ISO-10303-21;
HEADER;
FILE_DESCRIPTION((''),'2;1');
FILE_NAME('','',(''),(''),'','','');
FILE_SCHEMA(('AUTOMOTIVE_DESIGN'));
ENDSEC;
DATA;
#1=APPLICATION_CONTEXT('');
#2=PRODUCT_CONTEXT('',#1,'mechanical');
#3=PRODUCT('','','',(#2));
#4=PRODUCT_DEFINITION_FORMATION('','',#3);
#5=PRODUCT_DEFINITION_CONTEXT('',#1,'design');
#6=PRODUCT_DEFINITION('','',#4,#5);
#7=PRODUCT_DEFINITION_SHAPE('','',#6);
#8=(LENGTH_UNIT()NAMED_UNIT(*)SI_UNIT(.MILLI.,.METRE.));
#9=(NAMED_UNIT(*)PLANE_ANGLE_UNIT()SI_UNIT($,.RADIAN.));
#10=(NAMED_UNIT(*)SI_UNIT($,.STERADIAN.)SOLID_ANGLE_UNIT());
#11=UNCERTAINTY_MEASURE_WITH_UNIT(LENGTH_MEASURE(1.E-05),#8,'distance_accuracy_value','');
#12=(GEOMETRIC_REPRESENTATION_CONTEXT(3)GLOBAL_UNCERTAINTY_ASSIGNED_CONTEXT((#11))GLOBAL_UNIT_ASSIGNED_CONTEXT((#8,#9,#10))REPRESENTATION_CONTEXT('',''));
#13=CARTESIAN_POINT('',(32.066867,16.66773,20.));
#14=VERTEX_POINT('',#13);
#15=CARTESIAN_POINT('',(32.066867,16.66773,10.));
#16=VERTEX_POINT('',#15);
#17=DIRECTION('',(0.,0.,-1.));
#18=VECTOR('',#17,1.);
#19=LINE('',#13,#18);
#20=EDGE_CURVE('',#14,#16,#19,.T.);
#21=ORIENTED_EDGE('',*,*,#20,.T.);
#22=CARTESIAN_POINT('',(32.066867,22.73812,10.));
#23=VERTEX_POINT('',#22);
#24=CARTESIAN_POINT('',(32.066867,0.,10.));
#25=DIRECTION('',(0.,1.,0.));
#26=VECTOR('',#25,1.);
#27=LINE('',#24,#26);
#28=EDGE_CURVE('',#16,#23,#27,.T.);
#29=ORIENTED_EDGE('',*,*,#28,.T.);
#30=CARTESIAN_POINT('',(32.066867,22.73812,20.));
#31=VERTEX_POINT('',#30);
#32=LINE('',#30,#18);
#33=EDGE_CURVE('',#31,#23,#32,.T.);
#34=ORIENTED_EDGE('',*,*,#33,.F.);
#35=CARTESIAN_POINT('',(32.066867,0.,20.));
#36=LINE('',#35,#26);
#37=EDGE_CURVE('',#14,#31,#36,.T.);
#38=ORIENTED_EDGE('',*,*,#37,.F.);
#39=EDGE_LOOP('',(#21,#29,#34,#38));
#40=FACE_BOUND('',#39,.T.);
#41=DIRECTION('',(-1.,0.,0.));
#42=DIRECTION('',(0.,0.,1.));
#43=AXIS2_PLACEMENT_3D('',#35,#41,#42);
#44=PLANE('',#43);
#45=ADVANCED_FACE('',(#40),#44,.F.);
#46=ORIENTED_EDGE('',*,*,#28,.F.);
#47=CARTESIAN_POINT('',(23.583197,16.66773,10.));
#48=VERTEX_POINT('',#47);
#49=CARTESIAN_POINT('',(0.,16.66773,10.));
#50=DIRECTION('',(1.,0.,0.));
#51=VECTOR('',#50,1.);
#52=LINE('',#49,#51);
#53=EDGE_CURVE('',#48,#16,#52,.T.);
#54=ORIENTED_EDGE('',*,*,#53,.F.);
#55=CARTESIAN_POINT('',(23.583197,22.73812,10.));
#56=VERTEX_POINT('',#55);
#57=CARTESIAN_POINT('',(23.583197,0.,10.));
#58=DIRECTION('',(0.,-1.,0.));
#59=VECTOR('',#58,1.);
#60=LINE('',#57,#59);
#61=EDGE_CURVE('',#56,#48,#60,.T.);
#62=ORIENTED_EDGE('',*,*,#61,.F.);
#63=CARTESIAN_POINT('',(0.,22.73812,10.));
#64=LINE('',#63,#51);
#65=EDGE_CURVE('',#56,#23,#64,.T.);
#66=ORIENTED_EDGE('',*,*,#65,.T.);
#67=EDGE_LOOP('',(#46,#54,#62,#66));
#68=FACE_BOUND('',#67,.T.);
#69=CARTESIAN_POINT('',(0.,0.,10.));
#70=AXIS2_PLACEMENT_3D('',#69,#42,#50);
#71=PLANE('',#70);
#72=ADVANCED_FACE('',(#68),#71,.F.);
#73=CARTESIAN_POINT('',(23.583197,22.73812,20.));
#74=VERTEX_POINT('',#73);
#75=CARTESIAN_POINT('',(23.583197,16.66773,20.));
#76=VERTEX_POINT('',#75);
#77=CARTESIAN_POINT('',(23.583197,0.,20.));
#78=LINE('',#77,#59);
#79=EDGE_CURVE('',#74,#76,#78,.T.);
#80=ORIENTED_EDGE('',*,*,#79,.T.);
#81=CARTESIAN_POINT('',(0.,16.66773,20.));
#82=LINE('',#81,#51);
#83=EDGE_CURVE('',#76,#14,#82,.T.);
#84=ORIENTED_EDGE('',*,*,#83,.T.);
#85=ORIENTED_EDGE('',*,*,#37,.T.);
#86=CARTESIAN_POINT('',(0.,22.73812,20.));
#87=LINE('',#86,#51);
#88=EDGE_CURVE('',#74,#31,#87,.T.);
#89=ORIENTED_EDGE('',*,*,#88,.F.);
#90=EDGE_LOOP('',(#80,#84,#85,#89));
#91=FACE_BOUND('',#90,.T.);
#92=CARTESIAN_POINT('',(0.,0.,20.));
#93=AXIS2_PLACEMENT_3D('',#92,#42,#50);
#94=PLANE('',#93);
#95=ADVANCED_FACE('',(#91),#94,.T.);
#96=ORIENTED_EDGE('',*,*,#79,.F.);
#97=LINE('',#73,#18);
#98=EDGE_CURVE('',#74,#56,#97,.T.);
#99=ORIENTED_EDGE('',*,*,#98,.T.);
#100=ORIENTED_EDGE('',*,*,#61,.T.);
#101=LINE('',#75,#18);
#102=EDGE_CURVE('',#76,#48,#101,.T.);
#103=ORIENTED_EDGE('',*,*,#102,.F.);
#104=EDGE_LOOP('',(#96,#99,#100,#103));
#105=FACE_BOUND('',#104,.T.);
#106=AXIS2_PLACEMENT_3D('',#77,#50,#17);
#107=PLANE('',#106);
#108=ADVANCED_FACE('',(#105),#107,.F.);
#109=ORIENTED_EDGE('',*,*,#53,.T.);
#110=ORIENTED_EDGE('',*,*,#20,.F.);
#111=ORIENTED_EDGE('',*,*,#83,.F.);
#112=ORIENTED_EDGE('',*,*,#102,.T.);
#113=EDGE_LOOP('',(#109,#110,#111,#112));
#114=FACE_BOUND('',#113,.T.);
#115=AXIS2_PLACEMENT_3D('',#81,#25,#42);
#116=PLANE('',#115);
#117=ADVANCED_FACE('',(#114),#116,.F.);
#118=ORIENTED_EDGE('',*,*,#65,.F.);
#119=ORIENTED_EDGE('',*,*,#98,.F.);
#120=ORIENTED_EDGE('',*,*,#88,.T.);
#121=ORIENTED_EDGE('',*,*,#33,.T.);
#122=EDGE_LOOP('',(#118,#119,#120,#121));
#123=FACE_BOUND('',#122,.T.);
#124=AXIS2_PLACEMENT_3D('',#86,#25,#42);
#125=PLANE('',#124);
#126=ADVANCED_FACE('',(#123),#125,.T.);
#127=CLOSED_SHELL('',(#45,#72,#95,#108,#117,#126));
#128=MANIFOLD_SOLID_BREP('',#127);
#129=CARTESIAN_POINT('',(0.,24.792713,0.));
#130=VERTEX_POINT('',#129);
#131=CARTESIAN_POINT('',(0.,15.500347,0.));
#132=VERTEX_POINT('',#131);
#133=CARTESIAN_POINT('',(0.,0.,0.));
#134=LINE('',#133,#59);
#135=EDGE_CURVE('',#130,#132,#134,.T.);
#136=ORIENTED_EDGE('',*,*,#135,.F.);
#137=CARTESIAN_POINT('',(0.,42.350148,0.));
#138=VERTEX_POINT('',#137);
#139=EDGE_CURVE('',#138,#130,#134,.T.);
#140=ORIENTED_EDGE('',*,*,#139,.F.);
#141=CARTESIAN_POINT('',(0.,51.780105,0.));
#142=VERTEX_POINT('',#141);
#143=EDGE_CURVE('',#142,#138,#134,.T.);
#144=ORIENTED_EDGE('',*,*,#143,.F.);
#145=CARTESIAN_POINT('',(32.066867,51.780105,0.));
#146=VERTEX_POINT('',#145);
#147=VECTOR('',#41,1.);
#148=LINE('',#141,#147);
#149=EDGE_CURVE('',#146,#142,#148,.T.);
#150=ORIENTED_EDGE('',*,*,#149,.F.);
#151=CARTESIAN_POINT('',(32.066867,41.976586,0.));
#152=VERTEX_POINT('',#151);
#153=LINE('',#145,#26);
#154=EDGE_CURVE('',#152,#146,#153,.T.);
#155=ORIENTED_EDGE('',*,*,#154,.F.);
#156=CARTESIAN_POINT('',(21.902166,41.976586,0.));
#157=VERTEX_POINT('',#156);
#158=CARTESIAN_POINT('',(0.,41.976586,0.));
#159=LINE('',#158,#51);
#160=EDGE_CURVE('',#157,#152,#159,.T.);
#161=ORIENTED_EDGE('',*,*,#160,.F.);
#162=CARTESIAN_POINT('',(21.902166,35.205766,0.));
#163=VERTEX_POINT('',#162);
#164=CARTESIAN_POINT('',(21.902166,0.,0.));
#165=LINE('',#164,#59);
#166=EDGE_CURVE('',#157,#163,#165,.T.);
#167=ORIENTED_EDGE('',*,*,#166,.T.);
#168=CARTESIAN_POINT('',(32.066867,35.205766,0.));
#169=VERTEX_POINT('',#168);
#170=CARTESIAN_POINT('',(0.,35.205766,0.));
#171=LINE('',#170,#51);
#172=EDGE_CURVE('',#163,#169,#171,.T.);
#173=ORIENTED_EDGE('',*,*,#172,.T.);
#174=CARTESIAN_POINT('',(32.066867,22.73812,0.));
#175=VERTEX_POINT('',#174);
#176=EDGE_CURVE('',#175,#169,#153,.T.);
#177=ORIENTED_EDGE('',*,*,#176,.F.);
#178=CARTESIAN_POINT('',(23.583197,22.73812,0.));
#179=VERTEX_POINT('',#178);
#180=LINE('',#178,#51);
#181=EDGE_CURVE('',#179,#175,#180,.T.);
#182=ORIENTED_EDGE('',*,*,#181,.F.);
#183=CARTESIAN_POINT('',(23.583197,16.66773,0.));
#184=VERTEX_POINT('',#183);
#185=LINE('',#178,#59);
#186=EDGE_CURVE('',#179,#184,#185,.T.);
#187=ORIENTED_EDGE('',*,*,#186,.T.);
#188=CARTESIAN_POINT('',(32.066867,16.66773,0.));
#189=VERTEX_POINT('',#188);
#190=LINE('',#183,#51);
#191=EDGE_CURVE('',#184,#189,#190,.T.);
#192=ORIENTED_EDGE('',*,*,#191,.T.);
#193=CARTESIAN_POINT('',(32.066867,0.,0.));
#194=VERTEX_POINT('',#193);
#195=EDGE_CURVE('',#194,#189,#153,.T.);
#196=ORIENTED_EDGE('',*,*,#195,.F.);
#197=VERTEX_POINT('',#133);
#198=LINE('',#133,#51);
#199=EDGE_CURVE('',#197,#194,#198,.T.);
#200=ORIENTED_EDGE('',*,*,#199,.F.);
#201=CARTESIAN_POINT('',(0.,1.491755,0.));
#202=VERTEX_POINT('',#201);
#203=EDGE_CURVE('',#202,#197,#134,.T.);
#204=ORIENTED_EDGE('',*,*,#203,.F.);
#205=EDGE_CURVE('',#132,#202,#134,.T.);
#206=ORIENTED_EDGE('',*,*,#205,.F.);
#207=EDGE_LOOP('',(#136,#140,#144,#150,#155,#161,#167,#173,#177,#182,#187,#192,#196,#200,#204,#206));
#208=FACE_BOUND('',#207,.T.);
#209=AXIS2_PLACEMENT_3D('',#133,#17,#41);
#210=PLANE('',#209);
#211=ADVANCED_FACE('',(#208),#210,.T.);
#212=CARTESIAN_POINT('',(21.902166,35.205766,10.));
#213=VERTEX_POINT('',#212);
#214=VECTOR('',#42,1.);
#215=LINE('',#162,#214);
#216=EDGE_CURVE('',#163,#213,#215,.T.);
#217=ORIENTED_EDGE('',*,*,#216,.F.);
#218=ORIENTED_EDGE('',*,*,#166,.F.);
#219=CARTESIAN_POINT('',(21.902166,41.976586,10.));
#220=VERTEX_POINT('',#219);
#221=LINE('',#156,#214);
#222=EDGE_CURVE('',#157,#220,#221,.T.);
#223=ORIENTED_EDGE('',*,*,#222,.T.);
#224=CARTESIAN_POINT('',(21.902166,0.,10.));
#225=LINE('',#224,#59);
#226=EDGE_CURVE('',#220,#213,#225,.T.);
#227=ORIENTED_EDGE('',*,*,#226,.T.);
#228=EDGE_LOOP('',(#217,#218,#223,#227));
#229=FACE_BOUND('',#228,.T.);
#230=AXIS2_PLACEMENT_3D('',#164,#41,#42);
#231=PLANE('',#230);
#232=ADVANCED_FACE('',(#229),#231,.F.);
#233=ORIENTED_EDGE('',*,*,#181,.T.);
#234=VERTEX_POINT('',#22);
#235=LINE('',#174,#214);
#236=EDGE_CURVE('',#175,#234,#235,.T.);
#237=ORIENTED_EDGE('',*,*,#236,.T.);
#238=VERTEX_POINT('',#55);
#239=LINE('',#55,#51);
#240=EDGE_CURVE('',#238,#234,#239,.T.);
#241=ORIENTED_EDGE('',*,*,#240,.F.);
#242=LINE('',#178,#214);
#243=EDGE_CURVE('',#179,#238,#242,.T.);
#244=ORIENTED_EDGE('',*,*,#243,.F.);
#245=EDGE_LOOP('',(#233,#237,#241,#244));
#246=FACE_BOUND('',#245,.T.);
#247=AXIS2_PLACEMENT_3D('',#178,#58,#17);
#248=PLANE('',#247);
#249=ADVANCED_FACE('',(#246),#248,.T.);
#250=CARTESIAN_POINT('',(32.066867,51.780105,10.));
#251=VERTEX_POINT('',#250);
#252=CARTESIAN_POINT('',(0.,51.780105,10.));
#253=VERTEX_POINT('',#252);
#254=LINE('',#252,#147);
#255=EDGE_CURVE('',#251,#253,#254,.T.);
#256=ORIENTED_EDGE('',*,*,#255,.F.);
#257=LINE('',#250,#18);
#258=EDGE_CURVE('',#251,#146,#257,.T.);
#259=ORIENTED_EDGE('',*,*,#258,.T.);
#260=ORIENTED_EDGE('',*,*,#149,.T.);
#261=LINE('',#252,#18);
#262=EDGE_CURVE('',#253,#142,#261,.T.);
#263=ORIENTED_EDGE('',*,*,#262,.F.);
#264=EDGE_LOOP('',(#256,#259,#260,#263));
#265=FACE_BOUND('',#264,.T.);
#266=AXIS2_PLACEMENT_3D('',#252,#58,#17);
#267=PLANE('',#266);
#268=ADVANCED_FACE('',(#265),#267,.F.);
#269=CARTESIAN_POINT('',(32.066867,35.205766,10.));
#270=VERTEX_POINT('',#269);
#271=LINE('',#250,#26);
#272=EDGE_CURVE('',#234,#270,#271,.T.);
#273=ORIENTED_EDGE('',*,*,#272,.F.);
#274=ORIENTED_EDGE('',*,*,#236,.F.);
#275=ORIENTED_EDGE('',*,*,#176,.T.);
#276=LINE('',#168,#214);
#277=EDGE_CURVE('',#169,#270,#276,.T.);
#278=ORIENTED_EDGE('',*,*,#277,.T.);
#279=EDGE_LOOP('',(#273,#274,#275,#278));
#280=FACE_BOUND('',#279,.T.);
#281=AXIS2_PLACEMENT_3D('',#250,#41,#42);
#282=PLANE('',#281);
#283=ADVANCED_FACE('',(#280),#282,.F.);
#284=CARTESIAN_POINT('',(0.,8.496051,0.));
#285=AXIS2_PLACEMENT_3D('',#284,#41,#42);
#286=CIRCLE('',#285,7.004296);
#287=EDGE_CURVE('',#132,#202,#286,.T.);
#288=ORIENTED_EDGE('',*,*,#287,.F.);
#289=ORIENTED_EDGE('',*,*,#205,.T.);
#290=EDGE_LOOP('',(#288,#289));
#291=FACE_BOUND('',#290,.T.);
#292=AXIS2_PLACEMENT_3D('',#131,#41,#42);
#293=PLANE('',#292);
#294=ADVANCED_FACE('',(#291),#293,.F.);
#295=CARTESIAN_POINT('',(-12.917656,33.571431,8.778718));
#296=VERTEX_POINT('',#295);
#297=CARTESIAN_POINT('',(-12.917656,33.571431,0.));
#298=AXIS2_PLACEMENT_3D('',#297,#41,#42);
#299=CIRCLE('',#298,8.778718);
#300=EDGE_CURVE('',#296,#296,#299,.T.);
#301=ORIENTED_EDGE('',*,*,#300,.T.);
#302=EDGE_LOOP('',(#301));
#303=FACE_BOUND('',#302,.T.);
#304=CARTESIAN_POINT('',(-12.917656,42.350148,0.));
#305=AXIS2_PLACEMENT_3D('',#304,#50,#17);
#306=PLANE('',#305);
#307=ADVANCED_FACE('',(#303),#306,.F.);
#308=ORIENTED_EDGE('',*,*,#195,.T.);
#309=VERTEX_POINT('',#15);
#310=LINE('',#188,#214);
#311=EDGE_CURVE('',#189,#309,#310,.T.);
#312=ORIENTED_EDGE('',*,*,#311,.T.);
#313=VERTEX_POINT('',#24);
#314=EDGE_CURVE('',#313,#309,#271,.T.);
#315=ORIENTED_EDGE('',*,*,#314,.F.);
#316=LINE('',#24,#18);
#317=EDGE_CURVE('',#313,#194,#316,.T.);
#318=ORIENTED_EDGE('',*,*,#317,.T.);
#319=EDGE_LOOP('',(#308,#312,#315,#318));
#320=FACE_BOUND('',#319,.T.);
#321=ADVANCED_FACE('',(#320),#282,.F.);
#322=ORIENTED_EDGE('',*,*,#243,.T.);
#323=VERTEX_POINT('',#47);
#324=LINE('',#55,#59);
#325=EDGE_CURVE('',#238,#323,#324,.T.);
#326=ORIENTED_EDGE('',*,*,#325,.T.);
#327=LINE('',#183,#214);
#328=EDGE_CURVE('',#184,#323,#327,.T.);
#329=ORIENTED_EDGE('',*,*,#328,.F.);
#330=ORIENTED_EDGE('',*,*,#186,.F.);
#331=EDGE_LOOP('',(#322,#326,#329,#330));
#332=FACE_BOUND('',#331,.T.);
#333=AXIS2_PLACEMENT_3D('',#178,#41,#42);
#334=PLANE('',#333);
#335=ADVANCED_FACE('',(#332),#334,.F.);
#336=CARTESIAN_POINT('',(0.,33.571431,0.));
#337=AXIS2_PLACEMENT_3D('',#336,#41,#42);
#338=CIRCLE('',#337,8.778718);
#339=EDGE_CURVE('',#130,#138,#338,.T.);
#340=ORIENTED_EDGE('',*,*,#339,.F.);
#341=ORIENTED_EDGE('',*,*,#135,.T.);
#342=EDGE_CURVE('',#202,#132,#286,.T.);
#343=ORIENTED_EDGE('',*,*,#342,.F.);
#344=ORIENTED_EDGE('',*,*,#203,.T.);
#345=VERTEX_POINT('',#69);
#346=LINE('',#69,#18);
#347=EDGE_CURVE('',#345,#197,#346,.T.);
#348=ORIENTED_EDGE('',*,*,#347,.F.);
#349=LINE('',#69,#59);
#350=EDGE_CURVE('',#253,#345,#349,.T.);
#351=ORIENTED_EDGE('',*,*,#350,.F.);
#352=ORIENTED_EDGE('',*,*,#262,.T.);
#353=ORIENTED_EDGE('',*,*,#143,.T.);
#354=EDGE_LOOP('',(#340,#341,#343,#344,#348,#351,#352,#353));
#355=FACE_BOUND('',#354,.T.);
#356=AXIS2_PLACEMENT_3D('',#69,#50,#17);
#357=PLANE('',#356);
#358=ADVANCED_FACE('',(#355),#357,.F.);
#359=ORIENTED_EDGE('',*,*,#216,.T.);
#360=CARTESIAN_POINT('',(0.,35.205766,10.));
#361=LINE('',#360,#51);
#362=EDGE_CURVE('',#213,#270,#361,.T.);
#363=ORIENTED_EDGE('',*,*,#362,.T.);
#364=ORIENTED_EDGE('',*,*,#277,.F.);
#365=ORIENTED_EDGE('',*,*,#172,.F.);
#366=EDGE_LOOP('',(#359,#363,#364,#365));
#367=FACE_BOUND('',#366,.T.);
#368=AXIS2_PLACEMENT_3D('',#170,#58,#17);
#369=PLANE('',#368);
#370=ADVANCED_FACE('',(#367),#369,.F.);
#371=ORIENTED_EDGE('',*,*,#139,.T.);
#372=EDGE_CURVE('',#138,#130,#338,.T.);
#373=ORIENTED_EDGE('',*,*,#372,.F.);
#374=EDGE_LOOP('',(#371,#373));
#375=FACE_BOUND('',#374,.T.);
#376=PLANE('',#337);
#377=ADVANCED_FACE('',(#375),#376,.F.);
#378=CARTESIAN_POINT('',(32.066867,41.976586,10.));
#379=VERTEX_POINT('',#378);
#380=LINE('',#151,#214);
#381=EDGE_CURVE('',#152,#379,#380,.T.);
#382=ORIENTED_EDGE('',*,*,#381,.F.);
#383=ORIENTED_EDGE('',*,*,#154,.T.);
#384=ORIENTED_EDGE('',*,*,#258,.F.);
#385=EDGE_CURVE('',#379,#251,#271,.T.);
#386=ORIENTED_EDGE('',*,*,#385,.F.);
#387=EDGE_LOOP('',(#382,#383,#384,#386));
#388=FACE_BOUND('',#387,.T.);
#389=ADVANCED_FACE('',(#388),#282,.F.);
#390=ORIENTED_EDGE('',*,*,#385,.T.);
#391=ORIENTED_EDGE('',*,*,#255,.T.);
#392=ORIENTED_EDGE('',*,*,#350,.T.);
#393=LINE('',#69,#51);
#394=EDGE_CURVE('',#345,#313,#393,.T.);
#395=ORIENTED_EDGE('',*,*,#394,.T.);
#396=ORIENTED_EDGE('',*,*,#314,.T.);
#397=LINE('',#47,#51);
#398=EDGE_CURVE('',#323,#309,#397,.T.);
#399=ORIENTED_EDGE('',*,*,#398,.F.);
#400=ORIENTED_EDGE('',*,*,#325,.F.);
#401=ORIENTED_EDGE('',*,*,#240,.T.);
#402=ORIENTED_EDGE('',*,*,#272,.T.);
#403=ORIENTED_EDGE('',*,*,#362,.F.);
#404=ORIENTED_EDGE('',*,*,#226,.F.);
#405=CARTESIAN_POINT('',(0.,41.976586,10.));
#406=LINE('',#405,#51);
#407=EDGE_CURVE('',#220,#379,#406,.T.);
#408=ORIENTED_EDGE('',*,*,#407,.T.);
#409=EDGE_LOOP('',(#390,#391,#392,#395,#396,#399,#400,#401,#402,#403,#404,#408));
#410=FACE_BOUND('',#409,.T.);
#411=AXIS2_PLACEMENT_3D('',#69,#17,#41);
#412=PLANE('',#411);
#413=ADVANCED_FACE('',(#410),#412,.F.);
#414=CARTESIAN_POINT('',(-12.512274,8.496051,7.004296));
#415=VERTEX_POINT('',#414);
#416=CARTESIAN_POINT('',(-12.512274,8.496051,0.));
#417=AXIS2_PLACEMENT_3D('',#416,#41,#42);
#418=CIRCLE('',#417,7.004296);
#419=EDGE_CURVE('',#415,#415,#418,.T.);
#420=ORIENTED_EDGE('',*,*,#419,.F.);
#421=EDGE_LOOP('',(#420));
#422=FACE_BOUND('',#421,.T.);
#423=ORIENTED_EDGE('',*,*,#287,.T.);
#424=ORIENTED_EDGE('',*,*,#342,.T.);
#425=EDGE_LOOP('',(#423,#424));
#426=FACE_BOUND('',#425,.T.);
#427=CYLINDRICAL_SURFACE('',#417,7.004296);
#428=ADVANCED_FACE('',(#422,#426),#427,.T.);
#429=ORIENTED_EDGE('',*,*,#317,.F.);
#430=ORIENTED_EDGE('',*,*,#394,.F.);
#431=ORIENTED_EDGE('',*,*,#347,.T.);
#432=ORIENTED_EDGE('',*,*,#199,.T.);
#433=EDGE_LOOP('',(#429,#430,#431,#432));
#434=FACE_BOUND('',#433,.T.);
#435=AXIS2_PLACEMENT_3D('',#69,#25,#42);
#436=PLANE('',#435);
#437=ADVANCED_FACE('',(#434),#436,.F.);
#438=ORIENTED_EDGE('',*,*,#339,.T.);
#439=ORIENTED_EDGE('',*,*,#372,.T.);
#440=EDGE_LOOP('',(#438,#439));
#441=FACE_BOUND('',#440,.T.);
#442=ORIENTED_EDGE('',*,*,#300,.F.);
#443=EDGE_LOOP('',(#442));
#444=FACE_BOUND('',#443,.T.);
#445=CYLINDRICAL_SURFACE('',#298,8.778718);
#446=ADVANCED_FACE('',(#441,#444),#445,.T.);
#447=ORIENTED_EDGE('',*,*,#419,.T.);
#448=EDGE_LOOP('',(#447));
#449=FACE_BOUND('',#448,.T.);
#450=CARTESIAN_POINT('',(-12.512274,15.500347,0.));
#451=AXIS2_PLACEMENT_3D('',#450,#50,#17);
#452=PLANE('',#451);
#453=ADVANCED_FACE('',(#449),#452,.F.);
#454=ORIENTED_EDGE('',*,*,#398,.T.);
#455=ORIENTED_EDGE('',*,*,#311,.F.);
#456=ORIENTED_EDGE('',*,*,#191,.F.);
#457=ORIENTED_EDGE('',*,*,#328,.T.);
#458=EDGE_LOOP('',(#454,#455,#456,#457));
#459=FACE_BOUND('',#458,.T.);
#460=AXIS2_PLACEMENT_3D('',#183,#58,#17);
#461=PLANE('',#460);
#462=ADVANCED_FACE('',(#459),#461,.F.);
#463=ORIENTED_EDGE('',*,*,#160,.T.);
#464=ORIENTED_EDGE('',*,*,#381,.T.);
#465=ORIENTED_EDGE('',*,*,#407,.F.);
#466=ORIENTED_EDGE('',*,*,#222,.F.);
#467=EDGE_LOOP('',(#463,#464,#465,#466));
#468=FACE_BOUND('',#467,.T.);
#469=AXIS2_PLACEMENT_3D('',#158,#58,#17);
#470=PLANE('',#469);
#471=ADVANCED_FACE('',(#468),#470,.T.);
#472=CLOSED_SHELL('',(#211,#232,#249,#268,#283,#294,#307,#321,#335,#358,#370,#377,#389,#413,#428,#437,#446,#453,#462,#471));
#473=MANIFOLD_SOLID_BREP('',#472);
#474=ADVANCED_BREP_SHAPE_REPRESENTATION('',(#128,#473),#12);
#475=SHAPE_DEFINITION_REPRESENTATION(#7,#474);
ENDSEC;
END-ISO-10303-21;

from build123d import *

# Parameters (mm, degrees)
SKETCH_2_W          = 32.066867352
SKETCH_2_H          = 51.780105479
EXTRUDE_1_DEPTH     = 10
SKETCH_3_W          = 12.917655966
SKETCH_3_H          = 8.778717504
SKETCH_4_W          = 12.512273986
SKETCH_4_H          = 7.004295881
SKETCH_5_W          = 8.483669896
SKETCH_5_H          = 6.070389764
SKETCH_5_W_2        = 10.164700908
SKETCH_5_H_2        = 6.770819351
CUT_EXTRUDE_1_DEPTH = 10
SKETCH_5_3_W        = 8.483669896
SKETCH_5_3_H        = 6.070389764
EXTRUDE_2_DEPTH     = 10


with BuildPart() as part:
    # 草图2 → 凸台-拉伸1 (new body)
    with BuildSketch(Plane.XY):
        with Locations((16.033433676, 25.89005274)):
            Rectangle(SKETCH_2_W, SKETCH_2_H)
    extrude(amount=EXTRUDE_1_DEPTH)

    # 草图3 → 旋转1 (revolve)
    with BuildSketch(Plane.XY):
        with Locations((-6.458827983, 37.960789308)):
            Rectangle(SKETCH_3_W, SKETCH_3_H)
    revolve(axis=Axis((-12.917655966, 33.571430556, 0), (1, 0, 0)))

    # 草图4 → 旋转2 (revolve)
    with BuildSketch(Plane.XY):
        with Locations((-6.256136993, 11.998199242)):
            Rectangle(SKETCH_4_W, SKETCH_4_H)
    revolve(axis=Axis((-12.512273986, 8.496051301, 0), (1, 0, 0)))

    # 草图5 → 切除-拉伸1 (cut)
    with BuildSketch(Plane.XY.offset(10)):
        with Locations((27.825032404, 19.702924711)):
            Rectangle(SKETCH_5_W, SKETCH_5_H)
        with Locations((26.984516898, 38.591175938)):
            Rectangle(SKETCH_5_W_2, SKETCH_5_H_2)
    extrude(amount=-CUT_EXTRUDE_1_DEPTH, mode=Mode.SUBTRACT)


with BuildPart() as body_2:
    # 草图5<3> → 凸台-拉伸2 (new body)
    with BuildSketch(Plane.XY.offset(10)):
        with Locations((27.825032404, 19.702924711)):
            Rectangle(SKETCH_5_3_W, SKETCH_5_3_H)
    extrude(amount=EXTRUDE_2_DEPTH)


solid = Compound([part.part, body_2.part])
